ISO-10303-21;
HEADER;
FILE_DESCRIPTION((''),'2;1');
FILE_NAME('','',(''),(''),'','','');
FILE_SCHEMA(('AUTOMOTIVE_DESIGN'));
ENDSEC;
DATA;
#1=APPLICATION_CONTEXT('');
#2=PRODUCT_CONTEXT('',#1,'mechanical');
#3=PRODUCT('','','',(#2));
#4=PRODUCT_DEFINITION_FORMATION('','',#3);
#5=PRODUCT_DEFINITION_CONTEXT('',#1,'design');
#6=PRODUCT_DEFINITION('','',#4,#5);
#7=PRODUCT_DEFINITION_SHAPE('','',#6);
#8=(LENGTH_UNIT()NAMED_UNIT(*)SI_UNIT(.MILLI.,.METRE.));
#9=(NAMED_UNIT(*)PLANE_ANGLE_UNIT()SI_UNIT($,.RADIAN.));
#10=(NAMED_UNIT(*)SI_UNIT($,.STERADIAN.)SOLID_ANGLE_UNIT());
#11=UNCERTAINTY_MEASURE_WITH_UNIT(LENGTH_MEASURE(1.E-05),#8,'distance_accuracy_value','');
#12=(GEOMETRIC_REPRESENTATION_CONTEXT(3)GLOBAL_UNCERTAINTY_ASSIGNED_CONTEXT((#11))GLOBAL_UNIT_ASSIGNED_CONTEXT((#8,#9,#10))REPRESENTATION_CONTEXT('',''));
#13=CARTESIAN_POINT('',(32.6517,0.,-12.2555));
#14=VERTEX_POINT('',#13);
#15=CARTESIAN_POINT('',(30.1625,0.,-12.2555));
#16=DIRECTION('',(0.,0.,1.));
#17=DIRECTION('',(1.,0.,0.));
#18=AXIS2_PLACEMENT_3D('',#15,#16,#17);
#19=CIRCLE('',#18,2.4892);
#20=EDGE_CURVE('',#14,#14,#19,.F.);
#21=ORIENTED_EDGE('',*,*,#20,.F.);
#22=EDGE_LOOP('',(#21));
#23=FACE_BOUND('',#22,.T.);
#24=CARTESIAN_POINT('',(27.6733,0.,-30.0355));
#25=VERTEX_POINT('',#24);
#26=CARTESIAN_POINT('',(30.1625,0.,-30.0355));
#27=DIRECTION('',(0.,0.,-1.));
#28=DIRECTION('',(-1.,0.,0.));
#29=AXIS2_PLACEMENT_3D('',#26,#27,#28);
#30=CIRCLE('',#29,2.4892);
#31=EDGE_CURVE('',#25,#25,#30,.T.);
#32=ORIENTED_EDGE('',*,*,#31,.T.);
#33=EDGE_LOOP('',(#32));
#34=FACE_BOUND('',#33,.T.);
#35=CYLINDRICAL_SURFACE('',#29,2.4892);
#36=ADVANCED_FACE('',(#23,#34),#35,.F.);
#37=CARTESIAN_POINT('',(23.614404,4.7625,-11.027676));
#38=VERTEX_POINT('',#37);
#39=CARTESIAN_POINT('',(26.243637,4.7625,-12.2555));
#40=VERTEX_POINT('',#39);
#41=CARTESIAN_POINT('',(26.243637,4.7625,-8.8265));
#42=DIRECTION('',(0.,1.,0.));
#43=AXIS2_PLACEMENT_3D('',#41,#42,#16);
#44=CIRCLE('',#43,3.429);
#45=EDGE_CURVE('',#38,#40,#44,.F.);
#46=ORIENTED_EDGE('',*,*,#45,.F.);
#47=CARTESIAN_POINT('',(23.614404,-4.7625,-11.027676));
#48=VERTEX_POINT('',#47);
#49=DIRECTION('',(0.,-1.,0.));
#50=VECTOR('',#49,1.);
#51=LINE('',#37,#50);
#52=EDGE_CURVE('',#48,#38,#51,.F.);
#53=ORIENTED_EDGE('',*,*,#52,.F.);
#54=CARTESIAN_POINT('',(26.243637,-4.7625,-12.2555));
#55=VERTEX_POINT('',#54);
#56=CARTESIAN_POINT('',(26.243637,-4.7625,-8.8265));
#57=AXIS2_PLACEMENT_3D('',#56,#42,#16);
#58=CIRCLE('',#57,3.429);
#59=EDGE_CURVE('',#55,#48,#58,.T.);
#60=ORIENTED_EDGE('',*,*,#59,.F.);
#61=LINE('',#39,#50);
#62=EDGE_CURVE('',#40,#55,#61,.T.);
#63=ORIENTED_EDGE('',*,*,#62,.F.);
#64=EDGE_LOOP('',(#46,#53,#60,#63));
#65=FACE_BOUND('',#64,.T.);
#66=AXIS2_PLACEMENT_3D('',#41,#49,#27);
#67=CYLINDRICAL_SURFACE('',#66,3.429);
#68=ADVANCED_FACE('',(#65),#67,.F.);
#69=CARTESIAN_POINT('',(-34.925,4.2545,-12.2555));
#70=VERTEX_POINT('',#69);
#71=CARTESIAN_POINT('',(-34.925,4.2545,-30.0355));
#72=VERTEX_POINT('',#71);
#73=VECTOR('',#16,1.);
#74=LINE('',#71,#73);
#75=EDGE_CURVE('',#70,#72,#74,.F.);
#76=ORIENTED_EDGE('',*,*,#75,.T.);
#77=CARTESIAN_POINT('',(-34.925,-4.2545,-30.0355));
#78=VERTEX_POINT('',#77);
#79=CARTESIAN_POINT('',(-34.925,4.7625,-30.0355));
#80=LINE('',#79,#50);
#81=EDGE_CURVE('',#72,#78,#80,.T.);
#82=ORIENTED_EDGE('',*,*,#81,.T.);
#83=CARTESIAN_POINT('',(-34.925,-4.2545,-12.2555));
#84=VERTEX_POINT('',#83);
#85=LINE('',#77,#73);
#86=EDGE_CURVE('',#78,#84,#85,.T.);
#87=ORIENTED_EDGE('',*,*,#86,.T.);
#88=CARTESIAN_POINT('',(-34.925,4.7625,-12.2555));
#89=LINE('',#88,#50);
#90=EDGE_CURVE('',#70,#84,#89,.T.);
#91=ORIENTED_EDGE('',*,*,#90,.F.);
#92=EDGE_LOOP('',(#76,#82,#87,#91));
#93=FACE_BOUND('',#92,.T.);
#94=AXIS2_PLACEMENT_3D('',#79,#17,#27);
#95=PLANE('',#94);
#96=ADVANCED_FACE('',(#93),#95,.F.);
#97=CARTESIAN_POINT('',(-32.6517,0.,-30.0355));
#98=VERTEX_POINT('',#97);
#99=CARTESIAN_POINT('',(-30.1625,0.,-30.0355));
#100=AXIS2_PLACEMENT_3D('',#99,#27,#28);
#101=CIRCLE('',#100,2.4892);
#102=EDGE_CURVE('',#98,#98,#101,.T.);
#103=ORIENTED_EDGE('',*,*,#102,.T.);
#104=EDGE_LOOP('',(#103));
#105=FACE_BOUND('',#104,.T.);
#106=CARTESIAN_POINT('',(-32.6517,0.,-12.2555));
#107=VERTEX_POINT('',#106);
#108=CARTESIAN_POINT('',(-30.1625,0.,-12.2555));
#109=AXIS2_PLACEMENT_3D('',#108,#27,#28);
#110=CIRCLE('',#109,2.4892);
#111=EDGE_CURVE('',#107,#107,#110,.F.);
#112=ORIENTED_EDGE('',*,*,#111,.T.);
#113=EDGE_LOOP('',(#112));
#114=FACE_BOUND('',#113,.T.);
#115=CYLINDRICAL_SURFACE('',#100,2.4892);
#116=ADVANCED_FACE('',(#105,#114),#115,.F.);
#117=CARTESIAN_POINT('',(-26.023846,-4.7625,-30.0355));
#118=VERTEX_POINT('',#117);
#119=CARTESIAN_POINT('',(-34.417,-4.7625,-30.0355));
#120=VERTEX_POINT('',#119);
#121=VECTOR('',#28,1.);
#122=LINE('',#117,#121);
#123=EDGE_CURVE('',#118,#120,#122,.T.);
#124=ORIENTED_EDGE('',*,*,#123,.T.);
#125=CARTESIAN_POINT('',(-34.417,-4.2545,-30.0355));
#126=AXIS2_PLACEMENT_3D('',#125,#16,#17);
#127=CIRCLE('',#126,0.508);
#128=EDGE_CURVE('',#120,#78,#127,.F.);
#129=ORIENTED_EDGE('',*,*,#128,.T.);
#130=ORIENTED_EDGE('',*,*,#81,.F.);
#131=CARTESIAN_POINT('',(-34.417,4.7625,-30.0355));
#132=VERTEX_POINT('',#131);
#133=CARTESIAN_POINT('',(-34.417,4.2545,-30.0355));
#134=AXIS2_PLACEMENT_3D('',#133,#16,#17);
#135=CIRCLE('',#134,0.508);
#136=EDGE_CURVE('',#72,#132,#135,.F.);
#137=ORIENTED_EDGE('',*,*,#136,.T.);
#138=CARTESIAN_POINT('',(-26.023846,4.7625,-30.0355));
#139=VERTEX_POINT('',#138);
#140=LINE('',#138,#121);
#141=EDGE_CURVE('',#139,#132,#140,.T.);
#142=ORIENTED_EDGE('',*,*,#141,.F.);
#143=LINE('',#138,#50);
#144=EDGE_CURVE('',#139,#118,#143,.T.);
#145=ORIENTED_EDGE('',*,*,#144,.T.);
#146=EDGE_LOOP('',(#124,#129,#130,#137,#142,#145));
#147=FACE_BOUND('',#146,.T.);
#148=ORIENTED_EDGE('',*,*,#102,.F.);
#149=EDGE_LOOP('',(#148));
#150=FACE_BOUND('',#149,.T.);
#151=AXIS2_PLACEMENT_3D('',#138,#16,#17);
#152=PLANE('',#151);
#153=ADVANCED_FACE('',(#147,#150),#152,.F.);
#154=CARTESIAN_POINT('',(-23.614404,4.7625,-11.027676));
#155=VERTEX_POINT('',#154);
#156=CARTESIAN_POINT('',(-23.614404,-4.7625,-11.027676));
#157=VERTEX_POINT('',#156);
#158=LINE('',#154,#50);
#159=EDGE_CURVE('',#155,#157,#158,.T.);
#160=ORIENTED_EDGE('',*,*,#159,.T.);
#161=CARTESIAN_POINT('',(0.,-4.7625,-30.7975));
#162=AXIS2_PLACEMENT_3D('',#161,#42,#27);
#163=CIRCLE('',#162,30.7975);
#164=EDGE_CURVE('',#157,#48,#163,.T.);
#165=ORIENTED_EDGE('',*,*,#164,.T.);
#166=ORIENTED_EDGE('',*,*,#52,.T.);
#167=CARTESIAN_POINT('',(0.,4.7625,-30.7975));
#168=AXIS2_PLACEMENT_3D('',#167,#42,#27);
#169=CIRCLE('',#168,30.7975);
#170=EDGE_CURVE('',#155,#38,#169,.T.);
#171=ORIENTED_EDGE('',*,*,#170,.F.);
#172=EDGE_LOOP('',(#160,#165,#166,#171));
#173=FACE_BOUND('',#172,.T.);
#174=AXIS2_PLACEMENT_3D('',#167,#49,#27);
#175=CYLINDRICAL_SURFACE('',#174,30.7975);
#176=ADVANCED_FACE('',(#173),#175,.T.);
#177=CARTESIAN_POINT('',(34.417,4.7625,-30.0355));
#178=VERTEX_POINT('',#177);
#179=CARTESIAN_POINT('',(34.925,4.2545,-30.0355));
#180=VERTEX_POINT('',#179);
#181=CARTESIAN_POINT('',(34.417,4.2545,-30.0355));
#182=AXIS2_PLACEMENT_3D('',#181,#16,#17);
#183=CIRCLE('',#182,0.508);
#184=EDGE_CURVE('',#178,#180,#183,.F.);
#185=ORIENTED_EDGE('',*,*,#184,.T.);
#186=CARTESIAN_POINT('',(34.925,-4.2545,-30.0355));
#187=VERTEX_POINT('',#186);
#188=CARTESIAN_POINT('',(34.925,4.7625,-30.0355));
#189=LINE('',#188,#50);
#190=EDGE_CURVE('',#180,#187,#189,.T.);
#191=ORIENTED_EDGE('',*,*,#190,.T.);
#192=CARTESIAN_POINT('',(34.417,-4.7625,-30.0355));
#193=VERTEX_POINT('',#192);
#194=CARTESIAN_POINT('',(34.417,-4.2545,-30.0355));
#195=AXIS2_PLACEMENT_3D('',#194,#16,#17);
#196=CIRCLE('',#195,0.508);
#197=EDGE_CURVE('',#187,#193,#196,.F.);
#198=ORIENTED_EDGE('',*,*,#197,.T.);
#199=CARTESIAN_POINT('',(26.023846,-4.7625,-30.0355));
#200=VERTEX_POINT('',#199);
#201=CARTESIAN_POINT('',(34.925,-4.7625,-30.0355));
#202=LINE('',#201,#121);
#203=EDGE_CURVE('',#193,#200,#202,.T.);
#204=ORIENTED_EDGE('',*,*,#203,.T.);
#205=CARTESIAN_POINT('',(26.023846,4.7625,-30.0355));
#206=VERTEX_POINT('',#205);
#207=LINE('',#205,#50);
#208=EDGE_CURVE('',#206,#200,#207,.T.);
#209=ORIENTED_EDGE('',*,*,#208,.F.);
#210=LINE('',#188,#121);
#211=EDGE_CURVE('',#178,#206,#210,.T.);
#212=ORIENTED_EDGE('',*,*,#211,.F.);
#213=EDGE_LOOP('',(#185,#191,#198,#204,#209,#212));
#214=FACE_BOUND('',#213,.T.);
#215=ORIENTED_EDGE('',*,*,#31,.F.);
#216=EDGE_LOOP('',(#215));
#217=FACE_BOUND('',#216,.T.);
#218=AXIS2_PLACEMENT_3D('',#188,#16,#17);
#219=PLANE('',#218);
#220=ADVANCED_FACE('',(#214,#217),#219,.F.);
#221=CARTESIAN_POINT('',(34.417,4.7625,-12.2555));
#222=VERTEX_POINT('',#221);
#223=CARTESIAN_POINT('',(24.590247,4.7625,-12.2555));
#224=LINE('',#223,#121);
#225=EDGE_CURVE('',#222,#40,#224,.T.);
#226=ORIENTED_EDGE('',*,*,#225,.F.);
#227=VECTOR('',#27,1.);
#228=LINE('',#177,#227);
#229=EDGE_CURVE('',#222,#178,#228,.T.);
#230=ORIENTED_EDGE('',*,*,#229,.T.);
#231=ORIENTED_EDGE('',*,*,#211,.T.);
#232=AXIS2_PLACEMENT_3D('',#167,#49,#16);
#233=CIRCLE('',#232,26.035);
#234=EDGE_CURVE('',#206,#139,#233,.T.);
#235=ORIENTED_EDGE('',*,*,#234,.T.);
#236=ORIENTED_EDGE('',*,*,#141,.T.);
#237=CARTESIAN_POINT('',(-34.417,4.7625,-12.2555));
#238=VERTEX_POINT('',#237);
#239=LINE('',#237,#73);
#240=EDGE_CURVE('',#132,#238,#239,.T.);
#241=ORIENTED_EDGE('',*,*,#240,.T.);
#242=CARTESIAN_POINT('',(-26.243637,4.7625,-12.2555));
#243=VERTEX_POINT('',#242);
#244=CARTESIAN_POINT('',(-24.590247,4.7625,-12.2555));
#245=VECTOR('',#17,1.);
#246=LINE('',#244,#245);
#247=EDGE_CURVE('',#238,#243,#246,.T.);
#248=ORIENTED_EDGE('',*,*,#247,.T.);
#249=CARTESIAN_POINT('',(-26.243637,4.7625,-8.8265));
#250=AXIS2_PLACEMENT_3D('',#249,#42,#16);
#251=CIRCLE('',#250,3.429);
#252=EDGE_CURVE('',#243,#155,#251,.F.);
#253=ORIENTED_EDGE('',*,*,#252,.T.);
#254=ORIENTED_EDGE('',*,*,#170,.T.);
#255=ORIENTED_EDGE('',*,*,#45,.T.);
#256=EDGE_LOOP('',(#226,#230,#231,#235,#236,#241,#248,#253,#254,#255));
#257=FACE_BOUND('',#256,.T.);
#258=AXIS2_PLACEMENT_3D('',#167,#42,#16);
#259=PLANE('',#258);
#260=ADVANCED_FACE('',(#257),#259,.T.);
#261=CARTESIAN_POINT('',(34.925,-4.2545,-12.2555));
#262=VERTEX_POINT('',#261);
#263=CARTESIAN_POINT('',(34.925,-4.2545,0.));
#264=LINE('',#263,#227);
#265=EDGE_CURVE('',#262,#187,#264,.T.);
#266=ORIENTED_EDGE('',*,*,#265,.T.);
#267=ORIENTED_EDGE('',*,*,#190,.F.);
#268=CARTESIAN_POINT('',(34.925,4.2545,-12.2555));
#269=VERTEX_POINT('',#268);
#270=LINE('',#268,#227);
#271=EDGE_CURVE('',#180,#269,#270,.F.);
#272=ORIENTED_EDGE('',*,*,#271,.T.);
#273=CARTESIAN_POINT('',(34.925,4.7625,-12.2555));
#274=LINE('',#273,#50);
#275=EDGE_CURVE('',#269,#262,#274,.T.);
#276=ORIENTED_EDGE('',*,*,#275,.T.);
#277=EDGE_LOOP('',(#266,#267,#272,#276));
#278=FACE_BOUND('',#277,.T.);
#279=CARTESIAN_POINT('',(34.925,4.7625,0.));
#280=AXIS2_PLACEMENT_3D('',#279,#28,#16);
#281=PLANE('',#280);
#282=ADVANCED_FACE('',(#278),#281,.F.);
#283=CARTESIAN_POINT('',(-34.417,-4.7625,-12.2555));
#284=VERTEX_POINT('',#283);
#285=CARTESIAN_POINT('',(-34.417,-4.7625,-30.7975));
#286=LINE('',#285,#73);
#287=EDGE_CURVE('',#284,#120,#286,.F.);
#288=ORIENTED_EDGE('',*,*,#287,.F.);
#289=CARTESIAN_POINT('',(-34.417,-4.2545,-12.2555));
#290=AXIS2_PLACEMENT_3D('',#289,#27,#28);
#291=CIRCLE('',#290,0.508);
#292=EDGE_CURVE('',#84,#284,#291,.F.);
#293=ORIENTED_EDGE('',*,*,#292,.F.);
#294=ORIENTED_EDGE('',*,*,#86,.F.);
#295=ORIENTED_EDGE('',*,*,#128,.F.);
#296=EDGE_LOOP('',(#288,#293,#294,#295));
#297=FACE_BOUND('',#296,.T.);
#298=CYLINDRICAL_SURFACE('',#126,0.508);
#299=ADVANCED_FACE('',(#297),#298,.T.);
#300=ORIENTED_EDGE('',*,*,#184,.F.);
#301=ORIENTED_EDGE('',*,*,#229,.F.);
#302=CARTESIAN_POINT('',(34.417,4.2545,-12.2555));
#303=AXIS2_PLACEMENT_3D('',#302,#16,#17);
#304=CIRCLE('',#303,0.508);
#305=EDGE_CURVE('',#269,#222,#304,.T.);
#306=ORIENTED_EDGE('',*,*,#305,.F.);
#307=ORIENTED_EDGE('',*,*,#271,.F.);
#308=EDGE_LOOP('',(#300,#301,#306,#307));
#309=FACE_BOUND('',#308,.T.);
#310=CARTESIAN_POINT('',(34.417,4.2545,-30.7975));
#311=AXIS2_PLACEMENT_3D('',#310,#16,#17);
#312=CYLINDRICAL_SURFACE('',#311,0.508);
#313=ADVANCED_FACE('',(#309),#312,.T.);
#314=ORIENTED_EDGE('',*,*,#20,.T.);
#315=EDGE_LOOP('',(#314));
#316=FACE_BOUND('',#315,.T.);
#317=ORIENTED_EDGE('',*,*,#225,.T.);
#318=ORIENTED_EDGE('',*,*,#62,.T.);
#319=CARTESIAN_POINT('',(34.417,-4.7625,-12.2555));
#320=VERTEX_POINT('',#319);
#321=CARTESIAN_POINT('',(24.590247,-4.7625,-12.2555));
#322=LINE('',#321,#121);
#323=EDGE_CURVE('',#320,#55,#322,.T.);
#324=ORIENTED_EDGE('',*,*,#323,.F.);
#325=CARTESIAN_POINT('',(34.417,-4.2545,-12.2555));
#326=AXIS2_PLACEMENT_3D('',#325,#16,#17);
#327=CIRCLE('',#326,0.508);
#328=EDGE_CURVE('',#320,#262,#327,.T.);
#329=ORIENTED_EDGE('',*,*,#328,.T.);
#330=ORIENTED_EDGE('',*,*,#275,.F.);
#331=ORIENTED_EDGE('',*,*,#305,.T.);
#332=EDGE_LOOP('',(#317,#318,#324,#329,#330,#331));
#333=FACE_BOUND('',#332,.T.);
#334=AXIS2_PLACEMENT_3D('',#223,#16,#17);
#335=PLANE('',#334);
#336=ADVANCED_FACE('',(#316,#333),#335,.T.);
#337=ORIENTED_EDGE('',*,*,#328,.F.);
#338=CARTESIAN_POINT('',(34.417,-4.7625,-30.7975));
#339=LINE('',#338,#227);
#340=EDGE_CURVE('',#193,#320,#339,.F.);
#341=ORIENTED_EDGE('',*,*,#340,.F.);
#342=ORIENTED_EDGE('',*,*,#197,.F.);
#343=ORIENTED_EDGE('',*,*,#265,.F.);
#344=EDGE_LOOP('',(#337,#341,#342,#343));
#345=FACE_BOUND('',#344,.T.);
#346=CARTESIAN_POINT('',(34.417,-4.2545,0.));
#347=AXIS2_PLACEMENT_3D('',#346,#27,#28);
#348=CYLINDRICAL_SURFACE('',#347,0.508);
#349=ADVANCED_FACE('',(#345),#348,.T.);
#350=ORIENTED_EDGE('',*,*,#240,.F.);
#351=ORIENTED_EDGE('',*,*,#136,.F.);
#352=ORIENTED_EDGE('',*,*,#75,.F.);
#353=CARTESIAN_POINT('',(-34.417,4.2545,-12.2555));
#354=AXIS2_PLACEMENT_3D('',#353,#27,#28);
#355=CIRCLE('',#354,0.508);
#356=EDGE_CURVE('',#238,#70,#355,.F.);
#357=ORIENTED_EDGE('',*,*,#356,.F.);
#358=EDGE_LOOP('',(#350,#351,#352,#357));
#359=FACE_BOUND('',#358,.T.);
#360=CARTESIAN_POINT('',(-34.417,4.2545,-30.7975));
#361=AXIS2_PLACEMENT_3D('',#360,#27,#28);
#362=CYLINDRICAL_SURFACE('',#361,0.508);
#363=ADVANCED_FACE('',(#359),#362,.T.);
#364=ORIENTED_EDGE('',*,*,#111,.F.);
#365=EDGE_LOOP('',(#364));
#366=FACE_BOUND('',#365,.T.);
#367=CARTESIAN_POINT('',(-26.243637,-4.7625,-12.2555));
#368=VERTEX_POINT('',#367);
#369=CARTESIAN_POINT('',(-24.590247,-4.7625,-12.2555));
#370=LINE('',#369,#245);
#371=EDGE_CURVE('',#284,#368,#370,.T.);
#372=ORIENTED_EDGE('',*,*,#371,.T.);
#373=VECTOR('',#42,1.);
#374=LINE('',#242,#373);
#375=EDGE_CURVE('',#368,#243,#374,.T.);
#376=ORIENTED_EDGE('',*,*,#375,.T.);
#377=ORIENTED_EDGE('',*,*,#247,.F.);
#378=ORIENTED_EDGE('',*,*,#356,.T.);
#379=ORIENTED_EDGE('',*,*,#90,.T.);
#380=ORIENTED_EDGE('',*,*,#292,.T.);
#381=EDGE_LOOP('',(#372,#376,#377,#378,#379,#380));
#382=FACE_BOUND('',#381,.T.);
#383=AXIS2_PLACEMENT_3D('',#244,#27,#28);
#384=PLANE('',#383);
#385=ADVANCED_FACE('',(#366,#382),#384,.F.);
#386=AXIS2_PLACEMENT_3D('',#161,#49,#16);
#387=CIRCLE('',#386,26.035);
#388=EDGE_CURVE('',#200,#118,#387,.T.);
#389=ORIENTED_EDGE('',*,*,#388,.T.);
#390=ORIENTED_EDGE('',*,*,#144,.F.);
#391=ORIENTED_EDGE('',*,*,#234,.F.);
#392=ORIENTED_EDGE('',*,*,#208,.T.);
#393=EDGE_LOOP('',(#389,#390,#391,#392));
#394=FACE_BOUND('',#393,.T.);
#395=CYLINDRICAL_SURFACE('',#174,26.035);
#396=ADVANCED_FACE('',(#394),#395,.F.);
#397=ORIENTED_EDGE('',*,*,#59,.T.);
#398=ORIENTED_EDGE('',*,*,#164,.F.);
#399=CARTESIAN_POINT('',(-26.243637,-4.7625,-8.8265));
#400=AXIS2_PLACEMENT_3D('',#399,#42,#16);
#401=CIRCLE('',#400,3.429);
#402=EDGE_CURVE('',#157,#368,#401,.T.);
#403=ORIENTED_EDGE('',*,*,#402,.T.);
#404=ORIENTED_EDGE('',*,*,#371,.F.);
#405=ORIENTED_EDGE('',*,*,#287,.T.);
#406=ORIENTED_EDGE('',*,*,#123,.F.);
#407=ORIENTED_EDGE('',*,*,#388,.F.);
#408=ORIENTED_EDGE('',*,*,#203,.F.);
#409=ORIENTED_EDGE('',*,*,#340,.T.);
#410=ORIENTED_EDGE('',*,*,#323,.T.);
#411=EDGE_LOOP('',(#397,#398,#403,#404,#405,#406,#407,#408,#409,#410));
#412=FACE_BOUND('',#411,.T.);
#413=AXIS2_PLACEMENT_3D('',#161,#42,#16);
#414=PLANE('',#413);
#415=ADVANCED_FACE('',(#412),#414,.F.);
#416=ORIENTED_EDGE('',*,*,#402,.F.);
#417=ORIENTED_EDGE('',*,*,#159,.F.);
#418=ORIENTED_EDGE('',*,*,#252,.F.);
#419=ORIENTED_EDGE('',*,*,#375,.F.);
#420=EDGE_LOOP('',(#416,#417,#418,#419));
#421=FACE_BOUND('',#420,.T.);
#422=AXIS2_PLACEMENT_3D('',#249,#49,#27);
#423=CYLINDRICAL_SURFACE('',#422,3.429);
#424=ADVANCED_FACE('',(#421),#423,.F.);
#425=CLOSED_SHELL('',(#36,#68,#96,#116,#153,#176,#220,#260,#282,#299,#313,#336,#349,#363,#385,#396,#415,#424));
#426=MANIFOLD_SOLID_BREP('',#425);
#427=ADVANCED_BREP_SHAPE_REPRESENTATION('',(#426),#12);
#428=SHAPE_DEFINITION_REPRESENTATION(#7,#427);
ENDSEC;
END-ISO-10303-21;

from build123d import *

# Parameters (mm, degrees)
BOSS_EXTRUDE1_DEPTH    = 4.7625
F_10_CLEARANCE_HOLE1_D = 4.9784
CUT_EXTRUDE2_DEPTH     = 48.038415261
FILLET1_R              = 3.429
FILLET2_R              = 0.508


with BuildPart() as part:
    # Sketch1 → Boss-Extrude1 (new, symmetric)
    with BuildSketch(Plane(origin=(0, 0, 0), x_dir=(1, 0, 0), z_dir=(0, 1, 0))):
        with BuildLine():
            Line((-26.023846391, 30.0355), (-34.925, 30.0355))
            Line((-34.925, 30.0355), (-34.925, 0))
            Line((-34.925, 0), (34.925, 0))
            Line((34.925, 0), (34.925, 30.0355))
            Line((34.925, 30.0355), (26.023846391, 30.0355))
            ThreePointArc((26.023846391, 30.0355), (0, 4.7625), (-26.023846391, 30.0355))
        make_face()
    extrude(amount=BOSS_EXTRUDE1_DEPTH, both=True)

    # #10 Clearance Hole1 (through all)
    with Locations(Plane(origin=(0, 0, -30.0355), x_dir=(-1, 0, 0), z_dir=(0, 0, -1))):
        with Locations((-30.1625, 0), (30.1625, 0)):
            Hole(F_10_CLEARANCE_HOLE1_D / 2)

    # Sketch6 → Cut-Extrude2 (cut, through all)
    with BuildSketch(Plane.XZ.offset(4.7625)):
        with BuildLine():
            Line((-24.590246893, -12.2555), (-34.925, -12.2555))
            Line((-34.925, -12.2555), (-34.925, 0))
            Line((-34.925, 0), (0, 0))
            ThreePointArc((0, 0), (-13.737517266, -3.23363551), (-24.590246893, -12.2555))
        make_face()
    cut_extrude2 = extrude(amount=-CUT_EXTRUDE2_DEPTH, mode=Mode.SUBTRACT)

    # Mirror1: Cut-Extrude2 across plane
    add(cut_extrude2.mirror(Plane(origin=(0, 0, 0), x_dir=(0, 0, 1), z_dir=(1, 0, 0))), mode=Mode.SUBTRACT)

    # Fillet1
    fillet1_edges = [part.edges().sort_by_distance(p)[0] for p in [
        (-24.590246893, 0, -12.2555),
        (24.590246893, 0, -12.2555),
    ]]
    fillet(fillet1_edges, radius=FILLET1_R)

    # Fillet2
    fillet2_edges = [part.edges().sort_by_distance(p)[0] for p in [
        (-34.925, 4.7625, -21.1455),
        (34.925, -4.7625, -21.1455),
        (34.925, 4.7625, -21.1455),
        (-34.925, -4.7625, -21.1455),
    ]]
    fillet(fillet2_edges, radius=FILLET2_R)


solid = part.part
